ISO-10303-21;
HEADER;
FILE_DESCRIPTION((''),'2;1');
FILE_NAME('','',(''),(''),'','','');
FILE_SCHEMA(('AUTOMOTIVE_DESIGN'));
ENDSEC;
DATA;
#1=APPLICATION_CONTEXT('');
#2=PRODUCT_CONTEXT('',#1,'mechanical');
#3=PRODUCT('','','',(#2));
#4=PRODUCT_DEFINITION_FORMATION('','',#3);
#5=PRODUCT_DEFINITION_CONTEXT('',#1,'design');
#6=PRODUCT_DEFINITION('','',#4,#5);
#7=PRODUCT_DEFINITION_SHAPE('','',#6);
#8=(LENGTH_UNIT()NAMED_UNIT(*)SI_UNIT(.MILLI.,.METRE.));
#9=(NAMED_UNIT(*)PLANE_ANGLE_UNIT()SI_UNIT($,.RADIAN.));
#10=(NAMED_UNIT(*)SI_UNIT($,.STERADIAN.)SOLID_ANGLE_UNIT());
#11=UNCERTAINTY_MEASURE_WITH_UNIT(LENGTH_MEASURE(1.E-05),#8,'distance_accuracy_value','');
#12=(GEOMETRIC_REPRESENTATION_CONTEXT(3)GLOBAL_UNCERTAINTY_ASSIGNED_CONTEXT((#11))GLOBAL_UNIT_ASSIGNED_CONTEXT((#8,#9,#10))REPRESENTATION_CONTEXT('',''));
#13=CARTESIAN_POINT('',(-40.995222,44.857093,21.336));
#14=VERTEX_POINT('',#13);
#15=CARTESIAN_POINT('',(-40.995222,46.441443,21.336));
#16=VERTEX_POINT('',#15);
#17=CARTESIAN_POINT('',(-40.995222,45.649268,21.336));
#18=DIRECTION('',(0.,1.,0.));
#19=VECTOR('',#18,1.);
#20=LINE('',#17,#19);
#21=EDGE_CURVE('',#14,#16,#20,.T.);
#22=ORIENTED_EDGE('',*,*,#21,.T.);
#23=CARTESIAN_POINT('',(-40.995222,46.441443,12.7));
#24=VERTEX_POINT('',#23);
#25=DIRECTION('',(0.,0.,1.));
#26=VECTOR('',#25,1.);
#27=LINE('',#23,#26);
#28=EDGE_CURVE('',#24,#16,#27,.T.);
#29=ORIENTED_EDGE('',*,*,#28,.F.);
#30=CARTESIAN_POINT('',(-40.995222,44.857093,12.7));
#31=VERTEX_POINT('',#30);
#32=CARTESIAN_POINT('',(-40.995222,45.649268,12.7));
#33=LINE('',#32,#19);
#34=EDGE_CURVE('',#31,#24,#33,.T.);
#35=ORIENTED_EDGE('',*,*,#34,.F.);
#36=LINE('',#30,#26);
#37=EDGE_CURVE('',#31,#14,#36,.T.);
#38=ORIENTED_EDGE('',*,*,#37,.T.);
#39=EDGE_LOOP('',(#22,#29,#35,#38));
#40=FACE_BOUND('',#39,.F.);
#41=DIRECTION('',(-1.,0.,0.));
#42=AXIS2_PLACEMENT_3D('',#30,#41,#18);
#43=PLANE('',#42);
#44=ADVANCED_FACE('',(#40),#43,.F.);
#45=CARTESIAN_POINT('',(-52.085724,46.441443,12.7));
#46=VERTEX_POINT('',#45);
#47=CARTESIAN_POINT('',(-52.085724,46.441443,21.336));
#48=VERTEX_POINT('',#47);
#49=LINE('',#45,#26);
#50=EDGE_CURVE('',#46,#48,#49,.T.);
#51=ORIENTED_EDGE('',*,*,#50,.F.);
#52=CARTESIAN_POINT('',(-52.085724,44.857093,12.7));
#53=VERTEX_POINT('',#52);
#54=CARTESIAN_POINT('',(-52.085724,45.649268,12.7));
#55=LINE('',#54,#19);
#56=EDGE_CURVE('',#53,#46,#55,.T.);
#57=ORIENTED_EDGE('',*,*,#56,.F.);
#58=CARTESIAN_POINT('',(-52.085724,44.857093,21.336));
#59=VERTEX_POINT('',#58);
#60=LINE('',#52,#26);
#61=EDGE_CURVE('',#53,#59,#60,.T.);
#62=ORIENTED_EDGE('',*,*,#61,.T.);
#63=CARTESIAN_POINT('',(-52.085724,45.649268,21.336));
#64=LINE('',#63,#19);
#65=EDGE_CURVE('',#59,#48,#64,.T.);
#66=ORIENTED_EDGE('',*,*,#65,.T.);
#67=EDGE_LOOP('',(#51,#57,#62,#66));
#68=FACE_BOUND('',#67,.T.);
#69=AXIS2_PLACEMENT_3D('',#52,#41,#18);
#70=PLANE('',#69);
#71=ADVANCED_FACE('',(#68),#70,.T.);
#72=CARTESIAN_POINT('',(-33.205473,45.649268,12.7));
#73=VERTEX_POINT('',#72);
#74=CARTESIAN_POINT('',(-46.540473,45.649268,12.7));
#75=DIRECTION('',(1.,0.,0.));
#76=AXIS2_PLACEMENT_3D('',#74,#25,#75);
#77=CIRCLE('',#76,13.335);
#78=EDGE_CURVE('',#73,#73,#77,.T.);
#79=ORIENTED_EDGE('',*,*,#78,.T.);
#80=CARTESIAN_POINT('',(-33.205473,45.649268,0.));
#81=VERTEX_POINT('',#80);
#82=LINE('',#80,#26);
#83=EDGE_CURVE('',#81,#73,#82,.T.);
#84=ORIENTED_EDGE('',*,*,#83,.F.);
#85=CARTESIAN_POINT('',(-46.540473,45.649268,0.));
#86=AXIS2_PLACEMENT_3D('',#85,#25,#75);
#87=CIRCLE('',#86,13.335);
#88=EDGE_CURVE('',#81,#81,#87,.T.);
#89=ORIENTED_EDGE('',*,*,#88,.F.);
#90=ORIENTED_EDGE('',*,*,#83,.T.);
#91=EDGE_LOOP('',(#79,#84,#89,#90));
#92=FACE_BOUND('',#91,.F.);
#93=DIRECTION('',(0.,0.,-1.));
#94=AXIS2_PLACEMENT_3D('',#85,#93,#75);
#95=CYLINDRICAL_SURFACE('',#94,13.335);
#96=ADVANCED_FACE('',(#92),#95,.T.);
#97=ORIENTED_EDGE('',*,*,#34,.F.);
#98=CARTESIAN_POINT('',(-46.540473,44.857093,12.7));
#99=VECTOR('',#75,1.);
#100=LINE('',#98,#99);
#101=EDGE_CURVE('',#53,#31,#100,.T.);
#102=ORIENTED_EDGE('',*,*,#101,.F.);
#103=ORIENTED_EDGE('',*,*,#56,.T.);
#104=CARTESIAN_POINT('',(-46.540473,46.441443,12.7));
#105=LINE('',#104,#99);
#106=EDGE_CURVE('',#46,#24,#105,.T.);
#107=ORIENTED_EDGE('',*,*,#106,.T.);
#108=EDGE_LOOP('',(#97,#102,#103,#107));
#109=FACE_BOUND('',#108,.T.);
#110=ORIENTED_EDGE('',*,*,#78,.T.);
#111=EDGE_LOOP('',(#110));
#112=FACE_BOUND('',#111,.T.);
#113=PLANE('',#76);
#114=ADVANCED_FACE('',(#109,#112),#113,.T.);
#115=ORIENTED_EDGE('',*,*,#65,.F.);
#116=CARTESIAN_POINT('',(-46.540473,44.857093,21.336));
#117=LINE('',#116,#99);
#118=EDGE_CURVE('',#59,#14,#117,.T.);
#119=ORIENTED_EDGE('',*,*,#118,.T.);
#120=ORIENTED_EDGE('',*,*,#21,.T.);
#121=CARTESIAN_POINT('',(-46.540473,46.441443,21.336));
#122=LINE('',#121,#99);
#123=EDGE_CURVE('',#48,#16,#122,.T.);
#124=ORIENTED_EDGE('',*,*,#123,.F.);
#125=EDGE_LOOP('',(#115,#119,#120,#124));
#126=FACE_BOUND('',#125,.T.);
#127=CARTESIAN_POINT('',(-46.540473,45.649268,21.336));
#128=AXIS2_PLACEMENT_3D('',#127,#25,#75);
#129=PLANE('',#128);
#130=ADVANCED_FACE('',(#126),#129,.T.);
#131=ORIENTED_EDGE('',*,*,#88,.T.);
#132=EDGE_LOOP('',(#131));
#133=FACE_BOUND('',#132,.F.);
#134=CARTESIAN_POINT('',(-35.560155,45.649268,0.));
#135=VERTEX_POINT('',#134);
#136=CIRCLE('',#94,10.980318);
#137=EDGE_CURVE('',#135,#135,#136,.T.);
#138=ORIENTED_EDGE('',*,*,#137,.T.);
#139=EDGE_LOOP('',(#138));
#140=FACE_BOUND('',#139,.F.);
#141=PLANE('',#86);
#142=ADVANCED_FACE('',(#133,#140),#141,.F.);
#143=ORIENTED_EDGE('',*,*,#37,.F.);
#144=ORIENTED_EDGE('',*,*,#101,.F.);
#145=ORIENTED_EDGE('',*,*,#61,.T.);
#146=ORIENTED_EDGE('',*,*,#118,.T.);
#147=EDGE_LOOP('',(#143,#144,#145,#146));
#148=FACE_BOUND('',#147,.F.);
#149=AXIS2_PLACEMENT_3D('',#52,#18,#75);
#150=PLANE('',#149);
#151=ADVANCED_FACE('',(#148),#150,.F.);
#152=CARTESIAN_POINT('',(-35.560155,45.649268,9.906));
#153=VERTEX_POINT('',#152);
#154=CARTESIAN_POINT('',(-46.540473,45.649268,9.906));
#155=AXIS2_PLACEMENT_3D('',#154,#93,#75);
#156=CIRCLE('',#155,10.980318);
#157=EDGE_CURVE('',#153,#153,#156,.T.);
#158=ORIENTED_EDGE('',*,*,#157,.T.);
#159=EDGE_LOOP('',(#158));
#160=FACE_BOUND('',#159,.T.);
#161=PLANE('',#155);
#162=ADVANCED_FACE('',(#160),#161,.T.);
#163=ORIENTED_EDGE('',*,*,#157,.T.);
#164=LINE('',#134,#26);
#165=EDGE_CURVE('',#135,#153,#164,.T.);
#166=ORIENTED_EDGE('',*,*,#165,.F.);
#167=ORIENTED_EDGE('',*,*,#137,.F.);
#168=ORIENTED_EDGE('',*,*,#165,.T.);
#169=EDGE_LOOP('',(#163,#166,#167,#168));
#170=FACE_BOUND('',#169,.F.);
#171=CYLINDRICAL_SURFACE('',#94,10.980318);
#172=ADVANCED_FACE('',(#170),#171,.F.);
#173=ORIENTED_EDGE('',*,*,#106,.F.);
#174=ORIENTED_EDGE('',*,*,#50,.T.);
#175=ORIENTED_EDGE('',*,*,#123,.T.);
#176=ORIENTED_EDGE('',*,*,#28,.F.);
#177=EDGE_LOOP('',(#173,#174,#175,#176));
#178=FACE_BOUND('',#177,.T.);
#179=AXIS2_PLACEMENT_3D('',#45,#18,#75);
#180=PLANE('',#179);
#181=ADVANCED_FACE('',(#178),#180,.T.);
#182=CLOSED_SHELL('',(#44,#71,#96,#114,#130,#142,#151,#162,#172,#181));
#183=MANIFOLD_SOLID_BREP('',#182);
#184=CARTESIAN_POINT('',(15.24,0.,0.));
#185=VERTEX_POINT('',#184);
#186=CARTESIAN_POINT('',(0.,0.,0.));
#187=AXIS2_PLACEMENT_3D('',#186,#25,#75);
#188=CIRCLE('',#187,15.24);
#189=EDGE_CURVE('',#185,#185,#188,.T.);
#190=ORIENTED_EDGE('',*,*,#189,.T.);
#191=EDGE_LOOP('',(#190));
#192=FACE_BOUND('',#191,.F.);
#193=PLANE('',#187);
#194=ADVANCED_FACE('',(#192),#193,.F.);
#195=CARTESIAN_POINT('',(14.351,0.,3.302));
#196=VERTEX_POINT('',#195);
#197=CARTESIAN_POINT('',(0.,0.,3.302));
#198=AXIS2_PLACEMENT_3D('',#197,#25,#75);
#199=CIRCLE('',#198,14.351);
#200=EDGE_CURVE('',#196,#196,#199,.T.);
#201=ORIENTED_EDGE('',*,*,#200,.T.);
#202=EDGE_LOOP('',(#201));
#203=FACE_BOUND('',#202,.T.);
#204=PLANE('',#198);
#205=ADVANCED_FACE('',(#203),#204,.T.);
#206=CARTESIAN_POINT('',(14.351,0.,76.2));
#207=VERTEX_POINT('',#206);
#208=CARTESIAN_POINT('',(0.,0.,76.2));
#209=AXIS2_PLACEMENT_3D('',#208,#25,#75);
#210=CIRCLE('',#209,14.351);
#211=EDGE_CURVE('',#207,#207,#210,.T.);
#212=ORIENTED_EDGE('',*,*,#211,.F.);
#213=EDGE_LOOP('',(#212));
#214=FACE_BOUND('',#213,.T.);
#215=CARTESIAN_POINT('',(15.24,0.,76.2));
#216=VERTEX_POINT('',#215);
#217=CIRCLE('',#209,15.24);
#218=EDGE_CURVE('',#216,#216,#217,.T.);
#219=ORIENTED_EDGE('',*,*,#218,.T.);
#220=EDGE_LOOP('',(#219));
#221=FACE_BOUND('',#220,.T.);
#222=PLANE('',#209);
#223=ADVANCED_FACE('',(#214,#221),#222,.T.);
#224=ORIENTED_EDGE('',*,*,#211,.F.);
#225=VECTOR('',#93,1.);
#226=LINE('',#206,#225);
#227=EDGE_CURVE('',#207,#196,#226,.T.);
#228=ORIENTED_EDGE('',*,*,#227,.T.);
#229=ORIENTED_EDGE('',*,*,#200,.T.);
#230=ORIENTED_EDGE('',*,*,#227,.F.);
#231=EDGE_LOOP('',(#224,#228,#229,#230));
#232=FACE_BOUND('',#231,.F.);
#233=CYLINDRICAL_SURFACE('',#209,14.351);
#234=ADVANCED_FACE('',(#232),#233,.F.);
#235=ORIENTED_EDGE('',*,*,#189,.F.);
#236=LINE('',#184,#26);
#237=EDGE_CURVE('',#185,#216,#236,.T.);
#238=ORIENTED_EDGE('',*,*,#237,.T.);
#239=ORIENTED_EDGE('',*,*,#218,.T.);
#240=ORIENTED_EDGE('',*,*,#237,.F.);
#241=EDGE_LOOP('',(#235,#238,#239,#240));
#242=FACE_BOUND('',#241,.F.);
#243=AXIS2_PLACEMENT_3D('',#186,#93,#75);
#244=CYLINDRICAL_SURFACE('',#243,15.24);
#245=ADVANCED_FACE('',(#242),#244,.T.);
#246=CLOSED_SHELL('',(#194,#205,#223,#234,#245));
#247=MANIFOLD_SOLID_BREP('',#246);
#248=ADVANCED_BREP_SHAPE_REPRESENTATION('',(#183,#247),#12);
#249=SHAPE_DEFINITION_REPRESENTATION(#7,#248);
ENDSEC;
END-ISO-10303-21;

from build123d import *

# Parameters (mm, degrees)
F0_R     = 15.24
F1_DEPTH = 76.2
F2_R     = 14.351
F3_DEPTH = 72.898
F4_R     = 13.335
F5_DEPTH = 12.7
F6_R     = 10.980318
F7_DEPTH = 9.906
F8_W     = 11.090502
F8_H     = 1.584351
F9_DEPTH = 8.636


with BuildPart() as f1:
    # F0 (on Top) → F1 (new body)
    with BuildSketch(Plane.XY):
        Circle(F0_R)
    extrude(amount=F1_DEPTH)

    # F2 (on face) → F3 (cut)
    with BuildSketch(Plane.XY.offset(76.2)):
        Circle(F2_R)
    extrude(amount=-F3_DEPTH, mode=Mode.SUBTRACT)


with BuildPart() as f5:
    # F4 (on Top) → F5 (new body)
    with BuildSketch(Plane.XY):
        with Locations((-46.540473, 45.649268)):
            Circle(F4_R)
    extrude(amount=F5_DEPTH)

    # F6 (on face) → F7 (cut)
    with BuildSketch(Plane(origin=(0, 0, 0), x_dir=(1, 0, 0), z_dir=(0, 0, -1))):
        with Locations((-46.540473, -45.649268)):
            Circle(F6_R)
    extrude(amount=-F7_DEPTH, mode=Mode.SUBTRACT)

    # F8 (on face) → F9 (join)
    with BuildSketch(Plane.XY.offset(12.7)):
        with Locations((-46.540473, 45.649268)):
            Rectangle(F8_W, F8_H)
    extrude(amount=F9_DEPTH)


solid = Compound([f1.part, f5.part])
